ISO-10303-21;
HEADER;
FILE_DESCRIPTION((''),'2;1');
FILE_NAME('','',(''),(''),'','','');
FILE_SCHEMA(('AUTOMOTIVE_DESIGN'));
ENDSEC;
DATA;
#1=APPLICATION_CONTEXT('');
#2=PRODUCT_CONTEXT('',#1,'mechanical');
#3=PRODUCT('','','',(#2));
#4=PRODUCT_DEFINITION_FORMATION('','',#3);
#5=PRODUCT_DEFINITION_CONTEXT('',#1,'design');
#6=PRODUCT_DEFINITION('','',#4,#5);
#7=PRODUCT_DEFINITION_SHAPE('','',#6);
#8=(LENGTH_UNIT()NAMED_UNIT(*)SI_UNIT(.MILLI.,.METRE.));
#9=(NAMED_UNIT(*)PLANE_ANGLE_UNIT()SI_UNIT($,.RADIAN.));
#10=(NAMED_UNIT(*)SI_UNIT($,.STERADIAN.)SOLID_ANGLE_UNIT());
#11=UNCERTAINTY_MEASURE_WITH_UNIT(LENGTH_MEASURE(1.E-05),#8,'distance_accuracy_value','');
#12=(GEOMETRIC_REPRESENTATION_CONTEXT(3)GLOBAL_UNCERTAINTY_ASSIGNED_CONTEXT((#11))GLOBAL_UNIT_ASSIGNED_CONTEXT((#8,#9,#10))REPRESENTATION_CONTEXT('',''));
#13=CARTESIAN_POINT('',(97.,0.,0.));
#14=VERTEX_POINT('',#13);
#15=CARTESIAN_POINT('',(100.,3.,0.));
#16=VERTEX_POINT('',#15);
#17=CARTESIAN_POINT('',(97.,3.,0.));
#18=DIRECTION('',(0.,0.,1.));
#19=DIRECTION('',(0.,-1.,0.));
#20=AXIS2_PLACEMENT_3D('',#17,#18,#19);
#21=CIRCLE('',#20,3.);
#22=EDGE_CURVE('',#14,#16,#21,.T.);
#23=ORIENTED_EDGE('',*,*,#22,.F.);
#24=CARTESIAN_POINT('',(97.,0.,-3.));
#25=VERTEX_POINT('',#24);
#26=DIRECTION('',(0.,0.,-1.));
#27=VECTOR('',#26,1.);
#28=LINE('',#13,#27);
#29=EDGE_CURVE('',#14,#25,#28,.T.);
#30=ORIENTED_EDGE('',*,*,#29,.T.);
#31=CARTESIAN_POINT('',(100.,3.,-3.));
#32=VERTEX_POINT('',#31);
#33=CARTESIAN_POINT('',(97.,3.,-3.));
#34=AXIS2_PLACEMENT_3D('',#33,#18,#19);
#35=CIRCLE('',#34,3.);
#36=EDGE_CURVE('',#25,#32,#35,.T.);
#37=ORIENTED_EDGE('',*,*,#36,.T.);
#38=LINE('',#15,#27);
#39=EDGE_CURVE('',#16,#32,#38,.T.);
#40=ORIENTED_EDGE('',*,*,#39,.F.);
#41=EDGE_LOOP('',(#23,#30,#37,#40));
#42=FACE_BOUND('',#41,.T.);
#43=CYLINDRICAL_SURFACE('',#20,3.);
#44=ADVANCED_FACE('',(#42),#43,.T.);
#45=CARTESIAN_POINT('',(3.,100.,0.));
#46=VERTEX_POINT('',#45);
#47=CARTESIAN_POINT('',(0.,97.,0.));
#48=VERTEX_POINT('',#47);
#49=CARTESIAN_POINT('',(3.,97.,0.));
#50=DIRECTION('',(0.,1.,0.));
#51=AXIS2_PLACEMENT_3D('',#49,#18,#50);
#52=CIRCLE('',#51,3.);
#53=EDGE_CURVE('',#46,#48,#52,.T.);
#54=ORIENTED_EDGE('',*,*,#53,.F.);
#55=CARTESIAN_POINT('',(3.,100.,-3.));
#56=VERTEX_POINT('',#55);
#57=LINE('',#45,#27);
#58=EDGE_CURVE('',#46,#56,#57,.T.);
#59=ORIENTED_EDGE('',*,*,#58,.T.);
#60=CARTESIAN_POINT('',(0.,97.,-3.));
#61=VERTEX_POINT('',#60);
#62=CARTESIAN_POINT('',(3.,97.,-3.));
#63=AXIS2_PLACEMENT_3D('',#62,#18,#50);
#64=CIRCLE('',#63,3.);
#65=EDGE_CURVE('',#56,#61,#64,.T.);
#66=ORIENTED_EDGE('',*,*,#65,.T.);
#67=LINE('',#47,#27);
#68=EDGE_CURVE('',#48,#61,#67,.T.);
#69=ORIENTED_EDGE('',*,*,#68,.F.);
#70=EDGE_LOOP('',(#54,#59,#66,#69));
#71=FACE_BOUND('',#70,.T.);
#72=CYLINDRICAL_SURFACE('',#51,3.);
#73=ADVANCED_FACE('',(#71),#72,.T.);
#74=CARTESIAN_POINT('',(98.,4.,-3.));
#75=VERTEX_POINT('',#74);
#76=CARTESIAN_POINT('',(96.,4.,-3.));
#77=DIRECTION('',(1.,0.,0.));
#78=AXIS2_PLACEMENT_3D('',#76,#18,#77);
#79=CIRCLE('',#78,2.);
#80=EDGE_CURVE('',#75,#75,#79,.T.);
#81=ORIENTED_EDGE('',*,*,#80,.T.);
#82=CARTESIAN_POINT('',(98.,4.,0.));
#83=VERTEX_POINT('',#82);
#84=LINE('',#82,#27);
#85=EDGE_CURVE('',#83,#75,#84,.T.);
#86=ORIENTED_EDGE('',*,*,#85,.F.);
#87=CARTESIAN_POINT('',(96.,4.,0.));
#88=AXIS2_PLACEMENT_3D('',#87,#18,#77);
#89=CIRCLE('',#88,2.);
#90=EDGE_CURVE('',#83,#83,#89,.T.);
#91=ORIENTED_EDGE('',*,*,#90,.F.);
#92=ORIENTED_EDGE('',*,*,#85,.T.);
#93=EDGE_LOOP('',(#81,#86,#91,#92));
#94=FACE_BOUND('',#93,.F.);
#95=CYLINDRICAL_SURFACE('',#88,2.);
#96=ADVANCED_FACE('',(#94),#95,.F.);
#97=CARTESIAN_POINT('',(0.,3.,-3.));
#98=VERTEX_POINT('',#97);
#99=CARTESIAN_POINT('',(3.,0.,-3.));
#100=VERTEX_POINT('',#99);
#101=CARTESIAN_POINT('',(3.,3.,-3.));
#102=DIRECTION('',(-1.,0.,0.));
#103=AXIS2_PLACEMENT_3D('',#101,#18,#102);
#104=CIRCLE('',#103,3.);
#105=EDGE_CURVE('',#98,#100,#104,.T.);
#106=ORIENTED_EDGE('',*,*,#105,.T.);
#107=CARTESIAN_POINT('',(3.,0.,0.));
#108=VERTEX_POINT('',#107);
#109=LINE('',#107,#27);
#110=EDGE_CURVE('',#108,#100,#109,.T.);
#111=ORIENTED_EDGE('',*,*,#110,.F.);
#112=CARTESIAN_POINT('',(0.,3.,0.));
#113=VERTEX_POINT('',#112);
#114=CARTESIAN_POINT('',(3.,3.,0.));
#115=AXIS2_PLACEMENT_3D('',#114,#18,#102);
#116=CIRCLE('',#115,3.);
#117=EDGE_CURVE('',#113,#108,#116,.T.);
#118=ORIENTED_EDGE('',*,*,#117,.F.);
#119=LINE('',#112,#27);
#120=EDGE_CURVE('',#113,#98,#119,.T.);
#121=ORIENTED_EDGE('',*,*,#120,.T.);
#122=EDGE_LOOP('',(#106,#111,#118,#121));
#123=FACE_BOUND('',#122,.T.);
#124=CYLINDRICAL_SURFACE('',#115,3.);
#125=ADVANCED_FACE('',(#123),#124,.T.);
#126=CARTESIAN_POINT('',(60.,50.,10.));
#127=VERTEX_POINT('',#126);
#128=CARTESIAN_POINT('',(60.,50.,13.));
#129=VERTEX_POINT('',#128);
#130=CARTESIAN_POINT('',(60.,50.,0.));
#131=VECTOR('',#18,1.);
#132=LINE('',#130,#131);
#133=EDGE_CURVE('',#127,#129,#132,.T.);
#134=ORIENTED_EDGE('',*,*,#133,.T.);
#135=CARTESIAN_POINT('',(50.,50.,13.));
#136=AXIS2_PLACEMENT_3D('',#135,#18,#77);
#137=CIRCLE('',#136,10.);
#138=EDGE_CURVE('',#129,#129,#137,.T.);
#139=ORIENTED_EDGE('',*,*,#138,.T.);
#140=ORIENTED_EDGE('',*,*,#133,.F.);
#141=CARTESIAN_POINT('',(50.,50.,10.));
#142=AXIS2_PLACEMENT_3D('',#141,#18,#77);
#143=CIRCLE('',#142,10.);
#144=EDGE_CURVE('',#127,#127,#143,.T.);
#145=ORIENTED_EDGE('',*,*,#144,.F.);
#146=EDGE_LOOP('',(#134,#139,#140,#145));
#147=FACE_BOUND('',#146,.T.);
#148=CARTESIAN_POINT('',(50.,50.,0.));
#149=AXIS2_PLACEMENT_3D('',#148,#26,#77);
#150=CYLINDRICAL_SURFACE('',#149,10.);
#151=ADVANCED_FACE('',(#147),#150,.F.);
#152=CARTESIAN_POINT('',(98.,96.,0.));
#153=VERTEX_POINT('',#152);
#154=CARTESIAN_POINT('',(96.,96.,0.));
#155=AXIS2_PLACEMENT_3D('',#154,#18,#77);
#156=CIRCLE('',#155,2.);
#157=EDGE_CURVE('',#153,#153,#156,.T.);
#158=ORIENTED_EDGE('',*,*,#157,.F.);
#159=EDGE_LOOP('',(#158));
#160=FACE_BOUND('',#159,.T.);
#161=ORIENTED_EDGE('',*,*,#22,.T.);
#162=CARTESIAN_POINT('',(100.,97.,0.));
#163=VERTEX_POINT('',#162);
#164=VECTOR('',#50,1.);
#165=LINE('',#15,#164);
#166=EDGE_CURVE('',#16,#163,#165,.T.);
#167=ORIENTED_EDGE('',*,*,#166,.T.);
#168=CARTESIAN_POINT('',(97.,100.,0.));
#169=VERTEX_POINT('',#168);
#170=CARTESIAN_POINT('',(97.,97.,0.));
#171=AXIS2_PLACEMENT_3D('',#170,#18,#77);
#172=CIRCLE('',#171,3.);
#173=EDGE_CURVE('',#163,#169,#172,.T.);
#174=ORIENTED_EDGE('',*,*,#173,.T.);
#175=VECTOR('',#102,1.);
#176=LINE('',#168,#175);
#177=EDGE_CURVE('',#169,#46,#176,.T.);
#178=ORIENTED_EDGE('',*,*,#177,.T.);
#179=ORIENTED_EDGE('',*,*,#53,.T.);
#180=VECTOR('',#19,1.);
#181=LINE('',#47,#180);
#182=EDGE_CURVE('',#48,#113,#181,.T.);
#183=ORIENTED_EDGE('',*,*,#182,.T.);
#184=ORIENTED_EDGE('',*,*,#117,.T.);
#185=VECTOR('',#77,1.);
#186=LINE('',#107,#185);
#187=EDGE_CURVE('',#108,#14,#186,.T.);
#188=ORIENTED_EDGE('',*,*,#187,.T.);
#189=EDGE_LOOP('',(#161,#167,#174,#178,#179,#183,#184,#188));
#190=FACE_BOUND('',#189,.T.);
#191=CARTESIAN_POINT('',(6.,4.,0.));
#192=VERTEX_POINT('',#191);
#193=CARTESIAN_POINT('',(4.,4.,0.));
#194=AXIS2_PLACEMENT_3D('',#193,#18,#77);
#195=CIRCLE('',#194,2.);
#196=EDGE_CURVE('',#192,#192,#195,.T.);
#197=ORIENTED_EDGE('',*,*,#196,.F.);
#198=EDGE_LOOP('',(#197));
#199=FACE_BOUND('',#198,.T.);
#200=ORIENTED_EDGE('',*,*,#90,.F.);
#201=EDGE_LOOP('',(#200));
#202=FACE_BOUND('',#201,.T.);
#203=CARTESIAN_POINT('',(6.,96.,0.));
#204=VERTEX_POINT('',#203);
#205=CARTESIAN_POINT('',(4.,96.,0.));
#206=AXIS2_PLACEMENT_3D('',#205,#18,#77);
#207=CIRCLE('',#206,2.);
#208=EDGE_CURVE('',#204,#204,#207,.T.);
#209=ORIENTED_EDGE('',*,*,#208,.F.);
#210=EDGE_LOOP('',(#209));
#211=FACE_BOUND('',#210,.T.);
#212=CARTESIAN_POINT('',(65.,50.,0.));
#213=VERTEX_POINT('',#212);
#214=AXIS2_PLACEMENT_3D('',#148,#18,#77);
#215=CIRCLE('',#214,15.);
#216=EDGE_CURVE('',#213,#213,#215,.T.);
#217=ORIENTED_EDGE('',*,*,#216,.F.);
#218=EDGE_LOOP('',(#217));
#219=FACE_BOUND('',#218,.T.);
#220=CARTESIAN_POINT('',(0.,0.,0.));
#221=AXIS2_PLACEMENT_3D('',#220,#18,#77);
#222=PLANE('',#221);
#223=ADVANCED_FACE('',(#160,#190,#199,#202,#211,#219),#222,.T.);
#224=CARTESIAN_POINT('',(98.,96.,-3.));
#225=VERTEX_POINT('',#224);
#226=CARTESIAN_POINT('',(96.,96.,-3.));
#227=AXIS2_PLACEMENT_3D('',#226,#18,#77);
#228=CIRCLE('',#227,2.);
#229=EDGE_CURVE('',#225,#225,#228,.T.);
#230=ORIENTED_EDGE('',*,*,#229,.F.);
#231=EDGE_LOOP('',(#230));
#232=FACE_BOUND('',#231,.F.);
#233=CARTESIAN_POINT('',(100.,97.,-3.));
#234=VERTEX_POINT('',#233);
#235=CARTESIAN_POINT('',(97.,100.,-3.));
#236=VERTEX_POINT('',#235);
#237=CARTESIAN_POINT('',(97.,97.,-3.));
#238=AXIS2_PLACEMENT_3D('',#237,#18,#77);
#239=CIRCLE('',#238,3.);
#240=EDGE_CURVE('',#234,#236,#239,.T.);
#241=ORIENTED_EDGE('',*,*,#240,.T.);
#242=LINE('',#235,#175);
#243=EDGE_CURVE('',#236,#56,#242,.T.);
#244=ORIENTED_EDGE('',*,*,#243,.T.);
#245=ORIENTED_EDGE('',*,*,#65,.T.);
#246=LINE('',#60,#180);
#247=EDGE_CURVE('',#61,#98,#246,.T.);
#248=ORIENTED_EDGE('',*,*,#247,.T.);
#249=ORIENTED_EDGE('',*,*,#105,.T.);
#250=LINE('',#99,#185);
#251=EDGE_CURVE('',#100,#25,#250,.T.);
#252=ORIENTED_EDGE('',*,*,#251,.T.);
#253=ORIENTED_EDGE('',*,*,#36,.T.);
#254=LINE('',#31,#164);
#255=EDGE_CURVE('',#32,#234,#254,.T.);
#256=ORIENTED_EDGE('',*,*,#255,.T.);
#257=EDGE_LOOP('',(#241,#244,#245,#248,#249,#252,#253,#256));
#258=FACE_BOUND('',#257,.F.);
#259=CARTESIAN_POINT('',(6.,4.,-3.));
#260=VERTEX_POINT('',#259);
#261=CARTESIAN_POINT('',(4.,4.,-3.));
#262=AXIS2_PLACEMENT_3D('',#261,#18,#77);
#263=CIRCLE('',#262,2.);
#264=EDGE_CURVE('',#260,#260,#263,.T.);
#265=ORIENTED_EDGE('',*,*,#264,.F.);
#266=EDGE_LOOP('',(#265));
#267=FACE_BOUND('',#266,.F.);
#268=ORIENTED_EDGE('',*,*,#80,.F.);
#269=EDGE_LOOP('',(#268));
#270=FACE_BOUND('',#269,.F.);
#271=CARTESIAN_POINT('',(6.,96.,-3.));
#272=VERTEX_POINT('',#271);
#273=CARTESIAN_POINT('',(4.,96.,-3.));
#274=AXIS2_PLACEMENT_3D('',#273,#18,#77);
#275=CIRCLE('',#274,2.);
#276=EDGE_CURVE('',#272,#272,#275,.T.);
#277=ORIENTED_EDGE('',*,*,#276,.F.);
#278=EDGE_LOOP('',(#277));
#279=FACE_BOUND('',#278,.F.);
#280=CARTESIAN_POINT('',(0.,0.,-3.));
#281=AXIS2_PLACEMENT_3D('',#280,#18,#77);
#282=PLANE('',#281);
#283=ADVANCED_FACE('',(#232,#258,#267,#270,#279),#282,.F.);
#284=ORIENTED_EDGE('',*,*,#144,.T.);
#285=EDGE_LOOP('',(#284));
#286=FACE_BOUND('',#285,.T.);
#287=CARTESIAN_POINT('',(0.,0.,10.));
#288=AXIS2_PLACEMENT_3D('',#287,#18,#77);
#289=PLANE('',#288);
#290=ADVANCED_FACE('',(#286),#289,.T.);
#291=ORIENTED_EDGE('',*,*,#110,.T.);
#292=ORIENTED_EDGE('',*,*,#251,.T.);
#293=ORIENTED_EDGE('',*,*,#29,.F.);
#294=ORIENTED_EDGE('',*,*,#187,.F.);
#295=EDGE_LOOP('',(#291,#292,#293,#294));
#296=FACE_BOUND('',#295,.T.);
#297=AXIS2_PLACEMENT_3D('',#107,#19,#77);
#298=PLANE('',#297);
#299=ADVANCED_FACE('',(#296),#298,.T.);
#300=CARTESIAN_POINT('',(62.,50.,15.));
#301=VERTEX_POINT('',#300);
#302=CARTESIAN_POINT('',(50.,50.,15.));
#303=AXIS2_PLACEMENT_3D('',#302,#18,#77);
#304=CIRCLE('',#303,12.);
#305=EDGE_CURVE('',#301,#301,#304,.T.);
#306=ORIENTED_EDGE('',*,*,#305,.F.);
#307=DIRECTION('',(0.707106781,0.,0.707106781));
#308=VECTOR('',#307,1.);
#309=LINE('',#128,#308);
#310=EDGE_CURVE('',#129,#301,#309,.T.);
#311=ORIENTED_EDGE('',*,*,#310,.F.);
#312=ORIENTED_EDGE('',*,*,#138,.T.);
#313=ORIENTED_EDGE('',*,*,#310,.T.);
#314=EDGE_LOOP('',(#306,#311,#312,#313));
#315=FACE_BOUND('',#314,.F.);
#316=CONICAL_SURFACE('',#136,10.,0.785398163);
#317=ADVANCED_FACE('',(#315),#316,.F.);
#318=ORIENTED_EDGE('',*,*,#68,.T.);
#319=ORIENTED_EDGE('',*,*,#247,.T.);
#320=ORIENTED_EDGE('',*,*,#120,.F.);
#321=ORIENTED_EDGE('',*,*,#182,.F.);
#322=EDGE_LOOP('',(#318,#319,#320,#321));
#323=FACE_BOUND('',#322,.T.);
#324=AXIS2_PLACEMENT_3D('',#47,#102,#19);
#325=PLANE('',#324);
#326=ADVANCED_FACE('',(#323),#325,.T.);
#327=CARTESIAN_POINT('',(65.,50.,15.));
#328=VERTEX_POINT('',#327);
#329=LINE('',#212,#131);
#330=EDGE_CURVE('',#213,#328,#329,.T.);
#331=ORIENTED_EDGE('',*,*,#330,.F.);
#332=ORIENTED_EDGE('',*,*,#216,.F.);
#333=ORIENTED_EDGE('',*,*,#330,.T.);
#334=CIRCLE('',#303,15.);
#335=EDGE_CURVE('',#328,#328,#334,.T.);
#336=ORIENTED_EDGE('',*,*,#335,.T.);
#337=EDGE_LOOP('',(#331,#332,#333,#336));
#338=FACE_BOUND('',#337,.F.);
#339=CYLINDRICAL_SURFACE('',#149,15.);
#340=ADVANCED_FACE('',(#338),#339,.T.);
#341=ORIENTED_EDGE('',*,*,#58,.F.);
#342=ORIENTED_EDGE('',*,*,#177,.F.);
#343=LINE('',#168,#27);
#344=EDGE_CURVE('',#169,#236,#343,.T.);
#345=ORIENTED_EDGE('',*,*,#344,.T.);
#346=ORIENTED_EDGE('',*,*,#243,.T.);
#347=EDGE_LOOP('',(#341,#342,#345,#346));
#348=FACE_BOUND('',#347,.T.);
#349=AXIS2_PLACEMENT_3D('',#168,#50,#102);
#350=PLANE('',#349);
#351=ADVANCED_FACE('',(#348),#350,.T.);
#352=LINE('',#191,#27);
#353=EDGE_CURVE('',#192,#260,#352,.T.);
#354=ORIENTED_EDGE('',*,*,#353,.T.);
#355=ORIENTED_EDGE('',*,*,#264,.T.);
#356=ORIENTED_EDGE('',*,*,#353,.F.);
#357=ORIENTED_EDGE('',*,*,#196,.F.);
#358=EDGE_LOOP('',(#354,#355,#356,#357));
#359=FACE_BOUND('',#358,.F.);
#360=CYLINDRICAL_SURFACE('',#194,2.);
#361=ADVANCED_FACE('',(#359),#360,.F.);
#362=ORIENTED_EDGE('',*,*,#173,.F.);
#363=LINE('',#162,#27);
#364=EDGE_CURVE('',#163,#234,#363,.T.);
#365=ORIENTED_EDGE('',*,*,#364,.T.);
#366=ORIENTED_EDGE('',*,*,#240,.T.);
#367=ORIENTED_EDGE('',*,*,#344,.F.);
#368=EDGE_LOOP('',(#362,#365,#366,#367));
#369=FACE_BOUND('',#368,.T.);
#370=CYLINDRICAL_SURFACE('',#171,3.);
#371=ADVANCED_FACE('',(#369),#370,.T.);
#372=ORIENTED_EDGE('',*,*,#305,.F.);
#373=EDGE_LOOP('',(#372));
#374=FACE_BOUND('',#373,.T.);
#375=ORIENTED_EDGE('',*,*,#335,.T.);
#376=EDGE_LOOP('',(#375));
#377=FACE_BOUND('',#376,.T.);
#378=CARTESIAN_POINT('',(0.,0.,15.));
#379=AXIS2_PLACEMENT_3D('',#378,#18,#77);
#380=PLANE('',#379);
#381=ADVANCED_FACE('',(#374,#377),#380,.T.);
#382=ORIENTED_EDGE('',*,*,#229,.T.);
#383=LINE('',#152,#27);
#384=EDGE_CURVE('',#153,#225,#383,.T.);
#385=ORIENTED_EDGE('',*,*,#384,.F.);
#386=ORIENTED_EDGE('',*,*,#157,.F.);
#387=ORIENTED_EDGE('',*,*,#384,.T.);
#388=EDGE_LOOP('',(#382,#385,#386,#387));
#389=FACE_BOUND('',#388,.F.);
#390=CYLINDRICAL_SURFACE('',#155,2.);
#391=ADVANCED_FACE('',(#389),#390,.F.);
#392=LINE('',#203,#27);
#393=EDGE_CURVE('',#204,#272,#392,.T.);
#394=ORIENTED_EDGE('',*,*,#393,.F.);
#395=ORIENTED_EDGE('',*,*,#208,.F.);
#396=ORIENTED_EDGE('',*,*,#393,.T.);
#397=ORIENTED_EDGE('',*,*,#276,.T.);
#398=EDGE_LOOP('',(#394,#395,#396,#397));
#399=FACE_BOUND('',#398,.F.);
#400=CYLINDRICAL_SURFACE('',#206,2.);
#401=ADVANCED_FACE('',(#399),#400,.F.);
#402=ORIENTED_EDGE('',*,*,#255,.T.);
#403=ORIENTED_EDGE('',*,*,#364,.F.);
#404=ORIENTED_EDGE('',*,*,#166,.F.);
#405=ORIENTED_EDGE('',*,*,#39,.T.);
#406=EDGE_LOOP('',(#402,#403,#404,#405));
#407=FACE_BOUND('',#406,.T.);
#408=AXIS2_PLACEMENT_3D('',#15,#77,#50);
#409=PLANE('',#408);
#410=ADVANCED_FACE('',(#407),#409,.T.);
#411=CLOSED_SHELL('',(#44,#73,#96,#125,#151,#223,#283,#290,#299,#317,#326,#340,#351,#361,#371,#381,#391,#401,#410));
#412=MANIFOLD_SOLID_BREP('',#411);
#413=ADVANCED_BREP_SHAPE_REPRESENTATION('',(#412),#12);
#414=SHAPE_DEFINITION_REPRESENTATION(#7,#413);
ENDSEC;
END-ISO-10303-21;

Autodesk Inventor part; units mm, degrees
ref_plane "YZ Plane" through (0, 0, 0) normal (1, 0, 0) x (0, 1, 0)
ref_plane "XZ Plane" through (0, 0, 0) normal (0, 1, 0) x (-1, 0, 0)
ref_plane "XY Plane" through (0, 0, 0) normal (0, 0, 1) x (1, 0, 0)
sketch "Sketch1" plane through (0, 0, 0) normal (0, 0, 1) x (1, 0, 0)
  line L0 (3, 0) -> (97, 0)
  line L1 (100, 3) -> (100, 97)
  line L2 (97, 100) -> (3, 100)
  line L3 (0, 97) -> (0, 3)
  line L4 (4, 96) -> (96, 96) construction
  line L5 (96, 96) -> (96, 4) construction
  line L6 (96, 4) -> (4, 4) construction
  line L7 (4, 4) -> (4, 96) construction
  arc A0 (3, 100) -> (0, 97) centre (3, 97) ccw
  arc A1 (0, 3) -> (3, 0) centre (3, 3) ccw
  arc A2 (97, 0) -> (100, 3) centre (97, 3) ccw
  arc A3 (100, 97) -> (97, 100) centre (97, 97) ccw
  circle A4 centre (4, 96) radius 2
  circle A5 centre (4, 4) radius 2
  circle A6 centre (96, 4) radius 2
  circle A7 centre (96, 96) radius 2
  circle A8 centre (50, 50) radius 15
  circle A9 centre (50, 50) radius 10
  point P0 (0, 0)
  point P1 (100, 100)
  point P2 (100, 0)
  point P3 (0, 100)
  point P4 (50, 96)
  point P5 (4, 50)
  dimension "d0" = 100
  dimension "d1" = 100
  dimension "d2" = 4
  dimension "d3" = 3
  dimension "d4" = 4
  dimension "d5" = 20
  dimension "d6" = 30
extrude "Extrusion1" add sketch "Sketch1" against normal blind 3 contours A1 L3 A0 L2 A3 L1 A2 L0 | A8 | A9
extrude "Extrusion2" add sketch "Sketch1" along normal blind 15 contours A8
extrude "Extrusion3" add sketch "Sketch1" along normal blind 10 contours A9
chamfer "Chamfer1" distance 2 angle 45 1 edges at (40, 50, 15)
properties part number "CAMERA"
